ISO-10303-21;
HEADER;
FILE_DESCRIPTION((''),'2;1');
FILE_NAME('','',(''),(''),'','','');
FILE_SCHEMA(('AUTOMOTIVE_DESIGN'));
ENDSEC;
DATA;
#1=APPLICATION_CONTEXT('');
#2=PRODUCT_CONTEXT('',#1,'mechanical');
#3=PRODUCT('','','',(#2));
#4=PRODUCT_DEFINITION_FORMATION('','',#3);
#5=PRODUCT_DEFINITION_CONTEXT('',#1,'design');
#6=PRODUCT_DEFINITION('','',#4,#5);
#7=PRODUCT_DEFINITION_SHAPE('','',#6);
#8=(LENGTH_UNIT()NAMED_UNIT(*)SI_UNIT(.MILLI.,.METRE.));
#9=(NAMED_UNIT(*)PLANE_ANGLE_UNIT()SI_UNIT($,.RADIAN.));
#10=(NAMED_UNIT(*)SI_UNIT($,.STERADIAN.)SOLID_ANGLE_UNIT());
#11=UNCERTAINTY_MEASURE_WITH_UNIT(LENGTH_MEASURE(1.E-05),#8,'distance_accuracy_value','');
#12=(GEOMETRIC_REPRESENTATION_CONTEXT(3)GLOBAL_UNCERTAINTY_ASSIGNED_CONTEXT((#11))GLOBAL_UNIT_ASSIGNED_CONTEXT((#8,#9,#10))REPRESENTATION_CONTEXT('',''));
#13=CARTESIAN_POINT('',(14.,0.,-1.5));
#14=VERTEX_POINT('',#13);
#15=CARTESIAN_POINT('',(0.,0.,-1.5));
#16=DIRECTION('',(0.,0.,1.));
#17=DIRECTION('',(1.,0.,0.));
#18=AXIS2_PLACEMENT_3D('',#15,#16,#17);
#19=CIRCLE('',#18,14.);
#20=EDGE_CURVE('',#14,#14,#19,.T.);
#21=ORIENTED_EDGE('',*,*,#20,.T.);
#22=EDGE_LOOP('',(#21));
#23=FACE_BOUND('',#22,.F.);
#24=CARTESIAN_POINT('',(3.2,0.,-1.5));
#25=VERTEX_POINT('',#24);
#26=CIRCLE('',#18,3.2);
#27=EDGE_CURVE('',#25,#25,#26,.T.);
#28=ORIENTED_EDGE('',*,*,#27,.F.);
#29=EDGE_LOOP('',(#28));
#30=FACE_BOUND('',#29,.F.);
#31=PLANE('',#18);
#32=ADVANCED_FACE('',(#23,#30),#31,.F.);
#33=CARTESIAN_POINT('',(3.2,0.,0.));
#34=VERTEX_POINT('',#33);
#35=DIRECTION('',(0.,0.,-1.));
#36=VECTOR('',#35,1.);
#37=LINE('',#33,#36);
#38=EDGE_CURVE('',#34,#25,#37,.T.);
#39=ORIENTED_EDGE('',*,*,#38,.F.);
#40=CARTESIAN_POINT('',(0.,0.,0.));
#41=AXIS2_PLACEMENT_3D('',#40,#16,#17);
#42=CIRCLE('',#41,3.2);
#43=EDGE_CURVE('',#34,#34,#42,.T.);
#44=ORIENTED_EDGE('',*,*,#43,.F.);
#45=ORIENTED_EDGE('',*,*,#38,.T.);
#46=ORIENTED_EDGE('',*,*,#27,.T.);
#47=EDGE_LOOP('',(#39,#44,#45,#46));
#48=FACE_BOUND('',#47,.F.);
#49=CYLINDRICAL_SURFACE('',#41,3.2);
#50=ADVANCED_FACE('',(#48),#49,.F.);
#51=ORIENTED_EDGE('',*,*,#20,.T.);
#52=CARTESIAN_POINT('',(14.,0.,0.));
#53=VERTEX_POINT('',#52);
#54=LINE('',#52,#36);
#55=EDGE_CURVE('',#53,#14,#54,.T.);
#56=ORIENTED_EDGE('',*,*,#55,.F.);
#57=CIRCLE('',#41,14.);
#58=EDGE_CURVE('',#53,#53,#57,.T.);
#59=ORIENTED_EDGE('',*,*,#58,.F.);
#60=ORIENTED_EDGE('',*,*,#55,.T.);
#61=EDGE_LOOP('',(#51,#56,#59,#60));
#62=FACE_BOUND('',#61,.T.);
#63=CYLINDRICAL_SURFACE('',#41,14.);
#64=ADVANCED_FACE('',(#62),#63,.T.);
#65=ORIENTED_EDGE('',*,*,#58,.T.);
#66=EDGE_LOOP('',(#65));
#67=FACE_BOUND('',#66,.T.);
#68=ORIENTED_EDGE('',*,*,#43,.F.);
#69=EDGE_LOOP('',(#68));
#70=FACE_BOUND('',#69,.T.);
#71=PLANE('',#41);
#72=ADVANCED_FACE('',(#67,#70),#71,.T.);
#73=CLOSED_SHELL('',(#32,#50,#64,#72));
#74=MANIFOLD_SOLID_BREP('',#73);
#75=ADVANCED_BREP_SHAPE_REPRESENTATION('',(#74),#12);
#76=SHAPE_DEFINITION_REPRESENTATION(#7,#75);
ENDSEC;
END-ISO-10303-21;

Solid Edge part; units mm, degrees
sketch "Sketch1" plane through (0, 0, 0) normal (0, 0, 1) x (1, 0, 0)
  circle A0 centre (0, 0) radius 14
  circle A1 centre (0, 0) radius 3.2
  dimension "D1" = 28
extrude "Protrusion1" add sketch "Sketch1" against normal blind 1.5
properties material "ABS Plastic, high impact"
